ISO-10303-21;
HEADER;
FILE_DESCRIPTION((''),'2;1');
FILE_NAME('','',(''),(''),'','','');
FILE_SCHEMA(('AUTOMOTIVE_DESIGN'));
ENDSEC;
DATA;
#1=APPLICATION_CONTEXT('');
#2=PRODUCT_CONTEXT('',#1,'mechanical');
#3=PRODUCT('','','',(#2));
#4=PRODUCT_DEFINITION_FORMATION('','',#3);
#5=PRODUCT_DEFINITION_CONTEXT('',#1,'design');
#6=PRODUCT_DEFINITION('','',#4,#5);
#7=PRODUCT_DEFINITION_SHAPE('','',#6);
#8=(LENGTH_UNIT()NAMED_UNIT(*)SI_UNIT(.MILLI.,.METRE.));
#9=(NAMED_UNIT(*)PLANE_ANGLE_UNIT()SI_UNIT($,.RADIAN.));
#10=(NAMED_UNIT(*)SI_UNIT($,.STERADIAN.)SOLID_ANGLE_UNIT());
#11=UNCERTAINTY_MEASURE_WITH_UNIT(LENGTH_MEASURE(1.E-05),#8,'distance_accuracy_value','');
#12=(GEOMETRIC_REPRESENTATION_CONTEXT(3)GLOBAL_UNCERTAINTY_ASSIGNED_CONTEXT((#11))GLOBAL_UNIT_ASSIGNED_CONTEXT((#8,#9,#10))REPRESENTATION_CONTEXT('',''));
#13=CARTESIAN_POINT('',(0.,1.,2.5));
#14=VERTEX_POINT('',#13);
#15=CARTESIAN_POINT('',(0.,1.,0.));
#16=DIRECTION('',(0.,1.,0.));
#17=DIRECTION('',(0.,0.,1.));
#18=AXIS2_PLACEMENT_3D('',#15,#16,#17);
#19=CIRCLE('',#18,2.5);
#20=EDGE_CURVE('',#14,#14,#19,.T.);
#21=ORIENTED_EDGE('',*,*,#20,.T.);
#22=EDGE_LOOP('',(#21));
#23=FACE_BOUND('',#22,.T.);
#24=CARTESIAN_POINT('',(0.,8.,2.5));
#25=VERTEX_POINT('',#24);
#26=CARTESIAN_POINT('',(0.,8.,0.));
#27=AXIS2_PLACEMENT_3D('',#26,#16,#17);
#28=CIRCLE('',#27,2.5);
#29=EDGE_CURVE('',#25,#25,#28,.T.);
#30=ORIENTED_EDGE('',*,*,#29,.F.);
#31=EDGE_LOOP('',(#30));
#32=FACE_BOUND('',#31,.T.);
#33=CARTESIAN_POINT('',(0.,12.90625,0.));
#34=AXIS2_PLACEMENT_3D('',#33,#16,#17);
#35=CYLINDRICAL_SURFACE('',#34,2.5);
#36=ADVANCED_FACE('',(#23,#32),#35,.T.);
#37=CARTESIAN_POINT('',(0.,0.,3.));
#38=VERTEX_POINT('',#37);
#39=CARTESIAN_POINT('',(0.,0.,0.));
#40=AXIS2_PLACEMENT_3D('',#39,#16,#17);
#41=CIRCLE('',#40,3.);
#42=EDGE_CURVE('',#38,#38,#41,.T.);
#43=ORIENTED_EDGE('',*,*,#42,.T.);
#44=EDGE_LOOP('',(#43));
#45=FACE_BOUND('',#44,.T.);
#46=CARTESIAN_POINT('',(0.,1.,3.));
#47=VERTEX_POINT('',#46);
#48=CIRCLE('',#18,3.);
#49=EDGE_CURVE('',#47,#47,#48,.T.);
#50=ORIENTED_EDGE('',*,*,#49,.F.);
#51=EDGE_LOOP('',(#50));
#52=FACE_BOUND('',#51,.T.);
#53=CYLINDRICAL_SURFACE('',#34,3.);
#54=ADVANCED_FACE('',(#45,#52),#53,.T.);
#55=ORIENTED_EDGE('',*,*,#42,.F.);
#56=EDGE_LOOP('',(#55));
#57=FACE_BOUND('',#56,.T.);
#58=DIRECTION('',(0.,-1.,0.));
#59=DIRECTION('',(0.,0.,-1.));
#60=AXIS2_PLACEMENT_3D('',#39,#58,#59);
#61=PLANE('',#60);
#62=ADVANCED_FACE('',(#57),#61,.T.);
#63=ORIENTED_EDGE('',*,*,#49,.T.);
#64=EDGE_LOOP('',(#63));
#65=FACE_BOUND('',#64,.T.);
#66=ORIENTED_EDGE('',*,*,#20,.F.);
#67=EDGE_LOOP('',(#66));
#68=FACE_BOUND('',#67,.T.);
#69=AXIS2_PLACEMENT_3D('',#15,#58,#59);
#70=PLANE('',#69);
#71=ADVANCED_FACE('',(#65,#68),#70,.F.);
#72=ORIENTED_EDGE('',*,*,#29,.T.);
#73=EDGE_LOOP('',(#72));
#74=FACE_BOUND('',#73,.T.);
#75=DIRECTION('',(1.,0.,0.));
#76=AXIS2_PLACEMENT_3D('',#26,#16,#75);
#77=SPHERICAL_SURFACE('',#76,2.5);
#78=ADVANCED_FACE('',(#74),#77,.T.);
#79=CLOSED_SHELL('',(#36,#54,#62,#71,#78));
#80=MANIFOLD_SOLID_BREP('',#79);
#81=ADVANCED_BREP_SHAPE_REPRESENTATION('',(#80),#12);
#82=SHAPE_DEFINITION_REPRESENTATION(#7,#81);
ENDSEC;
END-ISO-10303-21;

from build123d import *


with BuildPart() as part:
    # Sketch2 one side → Revolve4 (revolve)
    with BuildSketch(Plane.XY):
        with BuildLine():
            ThreePointArc((2.5, 8), (1.767766953, 9.767766953), (0, 10.5))
            Line((0, 10.5), (0, 0))
            Line((0, 0), (3, 0))
            Line((3, 0), (3, 1))
            Line((3, 1), (2.5, 1))
            Line((2.5, 1), (2.5, 8))
        make_face()
    revolve(axis=Axis((0, 12.90625, 0), (0, -1, 0)))


solid = part.part
